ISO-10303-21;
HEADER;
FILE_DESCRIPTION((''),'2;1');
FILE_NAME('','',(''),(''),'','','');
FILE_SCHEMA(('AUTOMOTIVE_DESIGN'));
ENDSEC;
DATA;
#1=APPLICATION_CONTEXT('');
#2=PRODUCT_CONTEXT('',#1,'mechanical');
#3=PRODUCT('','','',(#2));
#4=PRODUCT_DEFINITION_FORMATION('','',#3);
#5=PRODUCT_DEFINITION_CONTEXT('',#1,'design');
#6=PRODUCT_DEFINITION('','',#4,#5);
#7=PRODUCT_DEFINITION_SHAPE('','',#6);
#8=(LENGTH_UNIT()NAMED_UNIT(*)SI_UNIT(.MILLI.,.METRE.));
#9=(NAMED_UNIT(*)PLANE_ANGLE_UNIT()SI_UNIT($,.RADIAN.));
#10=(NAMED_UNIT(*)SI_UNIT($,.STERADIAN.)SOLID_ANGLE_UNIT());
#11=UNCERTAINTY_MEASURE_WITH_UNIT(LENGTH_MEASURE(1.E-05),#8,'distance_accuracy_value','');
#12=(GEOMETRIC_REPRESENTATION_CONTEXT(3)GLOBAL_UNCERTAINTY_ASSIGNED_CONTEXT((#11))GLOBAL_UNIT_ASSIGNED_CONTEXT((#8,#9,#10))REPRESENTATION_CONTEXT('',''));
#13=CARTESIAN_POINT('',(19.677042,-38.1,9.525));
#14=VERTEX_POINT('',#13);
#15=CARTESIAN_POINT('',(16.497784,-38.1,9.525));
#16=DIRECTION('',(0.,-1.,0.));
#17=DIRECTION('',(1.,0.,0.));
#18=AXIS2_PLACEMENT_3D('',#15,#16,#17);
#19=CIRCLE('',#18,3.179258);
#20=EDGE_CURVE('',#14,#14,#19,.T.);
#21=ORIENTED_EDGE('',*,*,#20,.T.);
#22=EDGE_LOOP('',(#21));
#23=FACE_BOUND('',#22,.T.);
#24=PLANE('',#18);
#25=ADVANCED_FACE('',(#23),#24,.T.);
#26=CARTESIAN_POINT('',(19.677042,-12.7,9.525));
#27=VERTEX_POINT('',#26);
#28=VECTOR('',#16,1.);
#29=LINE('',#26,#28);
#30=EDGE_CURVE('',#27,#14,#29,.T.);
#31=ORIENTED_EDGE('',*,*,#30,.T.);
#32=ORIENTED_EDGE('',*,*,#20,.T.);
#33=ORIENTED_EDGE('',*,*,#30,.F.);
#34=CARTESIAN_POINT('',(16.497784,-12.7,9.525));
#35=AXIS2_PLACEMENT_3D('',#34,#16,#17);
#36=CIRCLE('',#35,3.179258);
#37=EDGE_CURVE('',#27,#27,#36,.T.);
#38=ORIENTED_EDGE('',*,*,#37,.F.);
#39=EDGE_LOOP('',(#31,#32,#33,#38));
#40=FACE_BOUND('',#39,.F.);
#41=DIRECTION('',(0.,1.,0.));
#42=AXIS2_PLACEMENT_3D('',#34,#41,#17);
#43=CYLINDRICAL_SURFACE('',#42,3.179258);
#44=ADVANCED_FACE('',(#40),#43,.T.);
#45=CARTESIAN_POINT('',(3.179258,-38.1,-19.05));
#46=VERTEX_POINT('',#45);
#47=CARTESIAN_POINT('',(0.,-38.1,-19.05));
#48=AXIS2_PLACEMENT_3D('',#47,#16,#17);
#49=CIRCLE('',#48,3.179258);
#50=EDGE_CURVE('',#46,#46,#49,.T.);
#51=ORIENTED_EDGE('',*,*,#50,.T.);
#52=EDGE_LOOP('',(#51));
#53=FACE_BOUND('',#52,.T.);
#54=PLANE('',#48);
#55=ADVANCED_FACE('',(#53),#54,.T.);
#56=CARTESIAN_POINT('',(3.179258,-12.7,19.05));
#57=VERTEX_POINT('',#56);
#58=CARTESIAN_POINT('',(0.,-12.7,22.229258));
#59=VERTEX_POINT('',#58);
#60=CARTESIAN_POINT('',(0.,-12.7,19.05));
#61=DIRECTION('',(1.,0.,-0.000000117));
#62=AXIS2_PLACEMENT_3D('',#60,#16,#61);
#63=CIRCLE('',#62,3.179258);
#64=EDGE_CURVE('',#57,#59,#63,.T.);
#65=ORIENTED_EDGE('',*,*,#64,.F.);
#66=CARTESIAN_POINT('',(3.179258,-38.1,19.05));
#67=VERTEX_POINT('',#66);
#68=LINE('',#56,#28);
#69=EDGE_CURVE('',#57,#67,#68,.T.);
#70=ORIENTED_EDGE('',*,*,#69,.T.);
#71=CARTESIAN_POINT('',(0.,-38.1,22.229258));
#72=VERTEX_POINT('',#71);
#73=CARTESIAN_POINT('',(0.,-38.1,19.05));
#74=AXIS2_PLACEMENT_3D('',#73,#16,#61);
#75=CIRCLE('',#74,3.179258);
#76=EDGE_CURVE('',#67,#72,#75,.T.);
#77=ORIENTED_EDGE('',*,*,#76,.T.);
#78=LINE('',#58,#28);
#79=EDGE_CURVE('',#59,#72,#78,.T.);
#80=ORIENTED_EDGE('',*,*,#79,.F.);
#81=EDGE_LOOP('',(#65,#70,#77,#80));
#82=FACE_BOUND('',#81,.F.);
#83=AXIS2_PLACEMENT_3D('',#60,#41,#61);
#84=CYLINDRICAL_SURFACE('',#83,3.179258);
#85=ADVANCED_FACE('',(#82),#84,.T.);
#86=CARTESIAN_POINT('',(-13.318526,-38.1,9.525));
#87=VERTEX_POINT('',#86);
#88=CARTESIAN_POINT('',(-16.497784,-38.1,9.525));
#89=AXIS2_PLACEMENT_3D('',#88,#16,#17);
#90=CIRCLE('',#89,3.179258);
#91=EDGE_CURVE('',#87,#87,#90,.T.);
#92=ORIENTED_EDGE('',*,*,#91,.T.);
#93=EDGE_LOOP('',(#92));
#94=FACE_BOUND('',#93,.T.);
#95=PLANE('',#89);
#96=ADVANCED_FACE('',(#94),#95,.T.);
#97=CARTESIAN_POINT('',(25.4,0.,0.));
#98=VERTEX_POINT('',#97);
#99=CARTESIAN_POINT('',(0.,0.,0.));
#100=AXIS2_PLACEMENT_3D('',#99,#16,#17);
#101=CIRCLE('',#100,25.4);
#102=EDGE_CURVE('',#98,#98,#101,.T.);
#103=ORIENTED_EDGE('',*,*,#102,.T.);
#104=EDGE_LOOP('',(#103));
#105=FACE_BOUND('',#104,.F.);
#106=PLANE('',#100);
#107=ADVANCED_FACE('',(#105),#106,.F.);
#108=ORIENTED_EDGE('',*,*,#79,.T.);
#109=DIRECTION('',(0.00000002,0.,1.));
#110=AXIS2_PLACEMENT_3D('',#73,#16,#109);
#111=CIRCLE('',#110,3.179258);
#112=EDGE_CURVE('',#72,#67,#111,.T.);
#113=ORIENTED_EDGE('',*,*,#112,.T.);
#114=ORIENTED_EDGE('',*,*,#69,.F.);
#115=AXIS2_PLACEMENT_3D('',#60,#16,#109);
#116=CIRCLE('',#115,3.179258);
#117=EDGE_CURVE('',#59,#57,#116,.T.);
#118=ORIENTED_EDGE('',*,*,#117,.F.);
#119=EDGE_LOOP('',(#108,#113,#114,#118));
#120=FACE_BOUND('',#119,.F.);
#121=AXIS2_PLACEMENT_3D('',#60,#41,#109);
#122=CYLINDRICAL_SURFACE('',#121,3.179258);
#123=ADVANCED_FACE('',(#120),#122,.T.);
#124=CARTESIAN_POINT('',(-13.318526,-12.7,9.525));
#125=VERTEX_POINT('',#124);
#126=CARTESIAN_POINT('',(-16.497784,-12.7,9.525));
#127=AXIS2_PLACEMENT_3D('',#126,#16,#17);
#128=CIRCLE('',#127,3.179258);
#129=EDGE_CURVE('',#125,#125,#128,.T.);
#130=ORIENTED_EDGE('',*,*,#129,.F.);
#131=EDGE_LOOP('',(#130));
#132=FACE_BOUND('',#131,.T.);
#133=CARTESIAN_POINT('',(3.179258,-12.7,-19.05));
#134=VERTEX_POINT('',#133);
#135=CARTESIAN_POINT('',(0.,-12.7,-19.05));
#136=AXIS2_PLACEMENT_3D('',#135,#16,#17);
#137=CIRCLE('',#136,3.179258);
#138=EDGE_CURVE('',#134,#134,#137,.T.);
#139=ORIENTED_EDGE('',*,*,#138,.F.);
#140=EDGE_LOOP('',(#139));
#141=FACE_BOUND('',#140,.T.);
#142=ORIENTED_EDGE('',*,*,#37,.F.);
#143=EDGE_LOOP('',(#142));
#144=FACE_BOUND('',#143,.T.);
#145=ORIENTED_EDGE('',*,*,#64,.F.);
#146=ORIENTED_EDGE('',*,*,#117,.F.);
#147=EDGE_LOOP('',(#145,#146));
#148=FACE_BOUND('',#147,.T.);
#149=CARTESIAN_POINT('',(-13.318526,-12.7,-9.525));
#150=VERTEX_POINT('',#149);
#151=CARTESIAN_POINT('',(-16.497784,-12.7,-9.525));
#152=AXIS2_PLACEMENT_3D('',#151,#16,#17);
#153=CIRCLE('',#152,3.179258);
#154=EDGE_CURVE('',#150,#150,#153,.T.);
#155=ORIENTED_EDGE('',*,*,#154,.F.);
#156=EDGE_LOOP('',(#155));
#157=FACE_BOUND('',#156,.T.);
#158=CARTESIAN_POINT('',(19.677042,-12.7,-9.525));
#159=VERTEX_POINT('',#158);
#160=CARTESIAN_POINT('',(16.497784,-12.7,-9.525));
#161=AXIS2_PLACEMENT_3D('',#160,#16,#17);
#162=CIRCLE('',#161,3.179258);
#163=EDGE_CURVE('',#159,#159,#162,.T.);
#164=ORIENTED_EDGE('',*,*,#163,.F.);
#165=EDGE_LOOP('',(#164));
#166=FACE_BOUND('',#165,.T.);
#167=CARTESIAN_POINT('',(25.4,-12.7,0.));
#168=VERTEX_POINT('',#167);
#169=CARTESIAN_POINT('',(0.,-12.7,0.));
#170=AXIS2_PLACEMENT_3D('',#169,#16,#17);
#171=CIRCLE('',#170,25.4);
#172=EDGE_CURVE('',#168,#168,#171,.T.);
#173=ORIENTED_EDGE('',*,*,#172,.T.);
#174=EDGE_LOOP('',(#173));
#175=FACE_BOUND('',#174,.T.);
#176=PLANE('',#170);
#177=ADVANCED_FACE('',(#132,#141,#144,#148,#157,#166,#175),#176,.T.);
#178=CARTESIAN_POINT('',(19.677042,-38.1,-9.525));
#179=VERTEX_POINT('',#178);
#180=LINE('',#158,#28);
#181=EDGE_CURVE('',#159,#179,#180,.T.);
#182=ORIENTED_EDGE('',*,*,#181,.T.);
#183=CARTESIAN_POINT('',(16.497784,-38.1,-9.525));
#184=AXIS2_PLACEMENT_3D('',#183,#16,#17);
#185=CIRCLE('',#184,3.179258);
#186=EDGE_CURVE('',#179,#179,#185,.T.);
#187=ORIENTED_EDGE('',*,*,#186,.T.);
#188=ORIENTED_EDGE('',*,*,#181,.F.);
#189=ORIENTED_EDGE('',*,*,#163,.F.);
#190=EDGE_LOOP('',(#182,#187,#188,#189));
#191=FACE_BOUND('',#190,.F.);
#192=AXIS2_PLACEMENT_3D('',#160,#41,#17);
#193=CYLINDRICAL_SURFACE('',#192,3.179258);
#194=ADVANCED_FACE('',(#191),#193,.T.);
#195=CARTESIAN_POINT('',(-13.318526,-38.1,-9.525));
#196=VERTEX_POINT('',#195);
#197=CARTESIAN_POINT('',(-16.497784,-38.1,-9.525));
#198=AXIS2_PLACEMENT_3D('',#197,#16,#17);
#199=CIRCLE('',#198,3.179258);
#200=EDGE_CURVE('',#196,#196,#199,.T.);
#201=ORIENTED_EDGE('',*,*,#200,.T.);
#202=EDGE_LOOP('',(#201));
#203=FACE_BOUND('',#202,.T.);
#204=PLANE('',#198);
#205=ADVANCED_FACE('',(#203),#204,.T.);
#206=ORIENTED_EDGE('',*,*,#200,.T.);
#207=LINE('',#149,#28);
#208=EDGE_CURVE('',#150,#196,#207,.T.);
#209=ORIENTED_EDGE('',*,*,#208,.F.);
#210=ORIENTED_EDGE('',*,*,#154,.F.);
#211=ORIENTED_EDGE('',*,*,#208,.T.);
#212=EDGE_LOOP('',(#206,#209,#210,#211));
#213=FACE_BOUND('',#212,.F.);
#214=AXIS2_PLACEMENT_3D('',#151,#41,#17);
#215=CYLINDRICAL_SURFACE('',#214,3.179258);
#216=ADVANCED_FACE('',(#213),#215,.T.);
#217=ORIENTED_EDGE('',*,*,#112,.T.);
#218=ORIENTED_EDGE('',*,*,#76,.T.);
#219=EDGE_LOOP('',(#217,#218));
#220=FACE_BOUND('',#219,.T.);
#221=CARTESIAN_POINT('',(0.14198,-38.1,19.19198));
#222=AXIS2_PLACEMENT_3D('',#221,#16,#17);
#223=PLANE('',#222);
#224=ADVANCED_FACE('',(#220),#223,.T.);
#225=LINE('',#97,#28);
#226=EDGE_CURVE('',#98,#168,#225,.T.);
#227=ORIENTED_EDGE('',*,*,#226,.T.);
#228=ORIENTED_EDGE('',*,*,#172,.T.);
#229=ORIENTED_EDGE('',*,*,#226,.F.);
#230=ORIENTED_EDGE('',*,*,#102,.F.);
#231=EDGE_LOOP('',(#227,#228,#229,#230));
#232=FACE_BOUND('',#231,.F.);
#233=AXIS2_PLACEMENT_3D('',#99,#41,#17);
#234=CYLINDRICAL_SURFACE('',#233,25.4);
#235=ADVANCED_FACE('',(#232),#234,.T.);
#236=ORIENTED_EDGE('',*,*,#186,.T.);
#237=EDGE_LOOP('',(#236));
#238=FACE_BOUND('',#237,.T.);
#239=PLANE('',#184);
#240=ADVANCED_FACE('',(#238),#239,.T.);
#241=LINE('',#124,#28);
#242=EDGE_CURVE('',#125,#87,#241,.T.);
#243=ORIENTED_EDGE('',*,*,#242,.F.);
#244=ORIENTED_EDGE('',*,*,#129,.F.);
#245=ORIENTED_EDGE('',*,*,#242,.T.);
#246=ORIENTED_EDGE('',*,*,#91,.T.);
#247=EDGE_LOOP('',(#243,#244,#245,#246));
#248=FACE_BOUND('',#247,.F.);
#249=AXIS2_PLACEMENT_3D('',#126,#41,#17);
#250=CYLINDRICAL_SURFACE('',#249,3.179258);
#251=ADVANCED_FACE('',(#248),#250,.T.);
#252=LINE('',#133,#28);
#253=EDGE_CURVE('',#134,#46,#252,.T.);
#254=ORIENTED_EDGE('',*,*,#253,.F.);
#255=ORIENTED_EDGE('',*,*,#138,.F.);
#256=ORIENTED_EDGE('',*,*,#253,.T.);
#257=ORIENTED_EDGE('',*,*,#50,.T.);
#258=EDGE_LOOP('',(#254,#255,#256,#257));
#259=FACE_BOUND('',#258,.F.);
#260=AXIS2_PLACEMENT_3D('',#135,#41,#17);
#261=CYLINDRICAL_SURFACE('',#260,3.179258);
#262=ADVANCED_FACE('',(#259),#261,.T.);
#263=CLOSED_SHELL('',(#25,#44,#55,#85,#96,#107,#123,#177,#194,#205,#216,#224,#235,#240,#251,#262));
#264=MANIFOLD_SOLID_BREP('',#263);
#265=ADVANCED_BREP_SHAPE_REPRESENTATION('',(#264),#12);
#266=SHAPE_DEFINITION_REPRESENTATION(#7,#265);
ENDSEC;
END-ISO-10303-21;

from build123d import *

# Parameters (mm, degrees)
F0_R     = 25.4
F1_DEPTH = 12.7
F2_R     = 3.179258
F3_DEPTH = 25.4


with BuildPart() as f1:
    # F0 (on Front) → F1 (new body)
    with BuildSketch(Plane.XZ):
        Circle(F0_R)
    extrude(amount=F1_DEPTH)

    # F2 (on face) → F3 (join)
    with BuildSketch(Plane.XZ.offset(12.7)):
        with Locations((-16.497784, 9.525)):
            Circle(F2_R)
        with BuildLine():
            ThreePointArc((3.179258, 19.05), (2.248075, 21.298075), (0, 22.229258))
            ThreePointArc((0, 22.229258), (-2.248075, 16.801925), (3.179258, 19.05))
        make_face()
        with Locations((16.497784, 9.525)):
            Circle(F2_R)
        with Locations((16.497784, -9.525)):
            Circle(F2_R)
        with Locations((0, -19.05)):
            Circle(F2_R)
        with Locations((-16.497784, -9.525)):
            Circle(F2_R)
    extrude(amount=F3_DEPTH)


solid = f1.part
